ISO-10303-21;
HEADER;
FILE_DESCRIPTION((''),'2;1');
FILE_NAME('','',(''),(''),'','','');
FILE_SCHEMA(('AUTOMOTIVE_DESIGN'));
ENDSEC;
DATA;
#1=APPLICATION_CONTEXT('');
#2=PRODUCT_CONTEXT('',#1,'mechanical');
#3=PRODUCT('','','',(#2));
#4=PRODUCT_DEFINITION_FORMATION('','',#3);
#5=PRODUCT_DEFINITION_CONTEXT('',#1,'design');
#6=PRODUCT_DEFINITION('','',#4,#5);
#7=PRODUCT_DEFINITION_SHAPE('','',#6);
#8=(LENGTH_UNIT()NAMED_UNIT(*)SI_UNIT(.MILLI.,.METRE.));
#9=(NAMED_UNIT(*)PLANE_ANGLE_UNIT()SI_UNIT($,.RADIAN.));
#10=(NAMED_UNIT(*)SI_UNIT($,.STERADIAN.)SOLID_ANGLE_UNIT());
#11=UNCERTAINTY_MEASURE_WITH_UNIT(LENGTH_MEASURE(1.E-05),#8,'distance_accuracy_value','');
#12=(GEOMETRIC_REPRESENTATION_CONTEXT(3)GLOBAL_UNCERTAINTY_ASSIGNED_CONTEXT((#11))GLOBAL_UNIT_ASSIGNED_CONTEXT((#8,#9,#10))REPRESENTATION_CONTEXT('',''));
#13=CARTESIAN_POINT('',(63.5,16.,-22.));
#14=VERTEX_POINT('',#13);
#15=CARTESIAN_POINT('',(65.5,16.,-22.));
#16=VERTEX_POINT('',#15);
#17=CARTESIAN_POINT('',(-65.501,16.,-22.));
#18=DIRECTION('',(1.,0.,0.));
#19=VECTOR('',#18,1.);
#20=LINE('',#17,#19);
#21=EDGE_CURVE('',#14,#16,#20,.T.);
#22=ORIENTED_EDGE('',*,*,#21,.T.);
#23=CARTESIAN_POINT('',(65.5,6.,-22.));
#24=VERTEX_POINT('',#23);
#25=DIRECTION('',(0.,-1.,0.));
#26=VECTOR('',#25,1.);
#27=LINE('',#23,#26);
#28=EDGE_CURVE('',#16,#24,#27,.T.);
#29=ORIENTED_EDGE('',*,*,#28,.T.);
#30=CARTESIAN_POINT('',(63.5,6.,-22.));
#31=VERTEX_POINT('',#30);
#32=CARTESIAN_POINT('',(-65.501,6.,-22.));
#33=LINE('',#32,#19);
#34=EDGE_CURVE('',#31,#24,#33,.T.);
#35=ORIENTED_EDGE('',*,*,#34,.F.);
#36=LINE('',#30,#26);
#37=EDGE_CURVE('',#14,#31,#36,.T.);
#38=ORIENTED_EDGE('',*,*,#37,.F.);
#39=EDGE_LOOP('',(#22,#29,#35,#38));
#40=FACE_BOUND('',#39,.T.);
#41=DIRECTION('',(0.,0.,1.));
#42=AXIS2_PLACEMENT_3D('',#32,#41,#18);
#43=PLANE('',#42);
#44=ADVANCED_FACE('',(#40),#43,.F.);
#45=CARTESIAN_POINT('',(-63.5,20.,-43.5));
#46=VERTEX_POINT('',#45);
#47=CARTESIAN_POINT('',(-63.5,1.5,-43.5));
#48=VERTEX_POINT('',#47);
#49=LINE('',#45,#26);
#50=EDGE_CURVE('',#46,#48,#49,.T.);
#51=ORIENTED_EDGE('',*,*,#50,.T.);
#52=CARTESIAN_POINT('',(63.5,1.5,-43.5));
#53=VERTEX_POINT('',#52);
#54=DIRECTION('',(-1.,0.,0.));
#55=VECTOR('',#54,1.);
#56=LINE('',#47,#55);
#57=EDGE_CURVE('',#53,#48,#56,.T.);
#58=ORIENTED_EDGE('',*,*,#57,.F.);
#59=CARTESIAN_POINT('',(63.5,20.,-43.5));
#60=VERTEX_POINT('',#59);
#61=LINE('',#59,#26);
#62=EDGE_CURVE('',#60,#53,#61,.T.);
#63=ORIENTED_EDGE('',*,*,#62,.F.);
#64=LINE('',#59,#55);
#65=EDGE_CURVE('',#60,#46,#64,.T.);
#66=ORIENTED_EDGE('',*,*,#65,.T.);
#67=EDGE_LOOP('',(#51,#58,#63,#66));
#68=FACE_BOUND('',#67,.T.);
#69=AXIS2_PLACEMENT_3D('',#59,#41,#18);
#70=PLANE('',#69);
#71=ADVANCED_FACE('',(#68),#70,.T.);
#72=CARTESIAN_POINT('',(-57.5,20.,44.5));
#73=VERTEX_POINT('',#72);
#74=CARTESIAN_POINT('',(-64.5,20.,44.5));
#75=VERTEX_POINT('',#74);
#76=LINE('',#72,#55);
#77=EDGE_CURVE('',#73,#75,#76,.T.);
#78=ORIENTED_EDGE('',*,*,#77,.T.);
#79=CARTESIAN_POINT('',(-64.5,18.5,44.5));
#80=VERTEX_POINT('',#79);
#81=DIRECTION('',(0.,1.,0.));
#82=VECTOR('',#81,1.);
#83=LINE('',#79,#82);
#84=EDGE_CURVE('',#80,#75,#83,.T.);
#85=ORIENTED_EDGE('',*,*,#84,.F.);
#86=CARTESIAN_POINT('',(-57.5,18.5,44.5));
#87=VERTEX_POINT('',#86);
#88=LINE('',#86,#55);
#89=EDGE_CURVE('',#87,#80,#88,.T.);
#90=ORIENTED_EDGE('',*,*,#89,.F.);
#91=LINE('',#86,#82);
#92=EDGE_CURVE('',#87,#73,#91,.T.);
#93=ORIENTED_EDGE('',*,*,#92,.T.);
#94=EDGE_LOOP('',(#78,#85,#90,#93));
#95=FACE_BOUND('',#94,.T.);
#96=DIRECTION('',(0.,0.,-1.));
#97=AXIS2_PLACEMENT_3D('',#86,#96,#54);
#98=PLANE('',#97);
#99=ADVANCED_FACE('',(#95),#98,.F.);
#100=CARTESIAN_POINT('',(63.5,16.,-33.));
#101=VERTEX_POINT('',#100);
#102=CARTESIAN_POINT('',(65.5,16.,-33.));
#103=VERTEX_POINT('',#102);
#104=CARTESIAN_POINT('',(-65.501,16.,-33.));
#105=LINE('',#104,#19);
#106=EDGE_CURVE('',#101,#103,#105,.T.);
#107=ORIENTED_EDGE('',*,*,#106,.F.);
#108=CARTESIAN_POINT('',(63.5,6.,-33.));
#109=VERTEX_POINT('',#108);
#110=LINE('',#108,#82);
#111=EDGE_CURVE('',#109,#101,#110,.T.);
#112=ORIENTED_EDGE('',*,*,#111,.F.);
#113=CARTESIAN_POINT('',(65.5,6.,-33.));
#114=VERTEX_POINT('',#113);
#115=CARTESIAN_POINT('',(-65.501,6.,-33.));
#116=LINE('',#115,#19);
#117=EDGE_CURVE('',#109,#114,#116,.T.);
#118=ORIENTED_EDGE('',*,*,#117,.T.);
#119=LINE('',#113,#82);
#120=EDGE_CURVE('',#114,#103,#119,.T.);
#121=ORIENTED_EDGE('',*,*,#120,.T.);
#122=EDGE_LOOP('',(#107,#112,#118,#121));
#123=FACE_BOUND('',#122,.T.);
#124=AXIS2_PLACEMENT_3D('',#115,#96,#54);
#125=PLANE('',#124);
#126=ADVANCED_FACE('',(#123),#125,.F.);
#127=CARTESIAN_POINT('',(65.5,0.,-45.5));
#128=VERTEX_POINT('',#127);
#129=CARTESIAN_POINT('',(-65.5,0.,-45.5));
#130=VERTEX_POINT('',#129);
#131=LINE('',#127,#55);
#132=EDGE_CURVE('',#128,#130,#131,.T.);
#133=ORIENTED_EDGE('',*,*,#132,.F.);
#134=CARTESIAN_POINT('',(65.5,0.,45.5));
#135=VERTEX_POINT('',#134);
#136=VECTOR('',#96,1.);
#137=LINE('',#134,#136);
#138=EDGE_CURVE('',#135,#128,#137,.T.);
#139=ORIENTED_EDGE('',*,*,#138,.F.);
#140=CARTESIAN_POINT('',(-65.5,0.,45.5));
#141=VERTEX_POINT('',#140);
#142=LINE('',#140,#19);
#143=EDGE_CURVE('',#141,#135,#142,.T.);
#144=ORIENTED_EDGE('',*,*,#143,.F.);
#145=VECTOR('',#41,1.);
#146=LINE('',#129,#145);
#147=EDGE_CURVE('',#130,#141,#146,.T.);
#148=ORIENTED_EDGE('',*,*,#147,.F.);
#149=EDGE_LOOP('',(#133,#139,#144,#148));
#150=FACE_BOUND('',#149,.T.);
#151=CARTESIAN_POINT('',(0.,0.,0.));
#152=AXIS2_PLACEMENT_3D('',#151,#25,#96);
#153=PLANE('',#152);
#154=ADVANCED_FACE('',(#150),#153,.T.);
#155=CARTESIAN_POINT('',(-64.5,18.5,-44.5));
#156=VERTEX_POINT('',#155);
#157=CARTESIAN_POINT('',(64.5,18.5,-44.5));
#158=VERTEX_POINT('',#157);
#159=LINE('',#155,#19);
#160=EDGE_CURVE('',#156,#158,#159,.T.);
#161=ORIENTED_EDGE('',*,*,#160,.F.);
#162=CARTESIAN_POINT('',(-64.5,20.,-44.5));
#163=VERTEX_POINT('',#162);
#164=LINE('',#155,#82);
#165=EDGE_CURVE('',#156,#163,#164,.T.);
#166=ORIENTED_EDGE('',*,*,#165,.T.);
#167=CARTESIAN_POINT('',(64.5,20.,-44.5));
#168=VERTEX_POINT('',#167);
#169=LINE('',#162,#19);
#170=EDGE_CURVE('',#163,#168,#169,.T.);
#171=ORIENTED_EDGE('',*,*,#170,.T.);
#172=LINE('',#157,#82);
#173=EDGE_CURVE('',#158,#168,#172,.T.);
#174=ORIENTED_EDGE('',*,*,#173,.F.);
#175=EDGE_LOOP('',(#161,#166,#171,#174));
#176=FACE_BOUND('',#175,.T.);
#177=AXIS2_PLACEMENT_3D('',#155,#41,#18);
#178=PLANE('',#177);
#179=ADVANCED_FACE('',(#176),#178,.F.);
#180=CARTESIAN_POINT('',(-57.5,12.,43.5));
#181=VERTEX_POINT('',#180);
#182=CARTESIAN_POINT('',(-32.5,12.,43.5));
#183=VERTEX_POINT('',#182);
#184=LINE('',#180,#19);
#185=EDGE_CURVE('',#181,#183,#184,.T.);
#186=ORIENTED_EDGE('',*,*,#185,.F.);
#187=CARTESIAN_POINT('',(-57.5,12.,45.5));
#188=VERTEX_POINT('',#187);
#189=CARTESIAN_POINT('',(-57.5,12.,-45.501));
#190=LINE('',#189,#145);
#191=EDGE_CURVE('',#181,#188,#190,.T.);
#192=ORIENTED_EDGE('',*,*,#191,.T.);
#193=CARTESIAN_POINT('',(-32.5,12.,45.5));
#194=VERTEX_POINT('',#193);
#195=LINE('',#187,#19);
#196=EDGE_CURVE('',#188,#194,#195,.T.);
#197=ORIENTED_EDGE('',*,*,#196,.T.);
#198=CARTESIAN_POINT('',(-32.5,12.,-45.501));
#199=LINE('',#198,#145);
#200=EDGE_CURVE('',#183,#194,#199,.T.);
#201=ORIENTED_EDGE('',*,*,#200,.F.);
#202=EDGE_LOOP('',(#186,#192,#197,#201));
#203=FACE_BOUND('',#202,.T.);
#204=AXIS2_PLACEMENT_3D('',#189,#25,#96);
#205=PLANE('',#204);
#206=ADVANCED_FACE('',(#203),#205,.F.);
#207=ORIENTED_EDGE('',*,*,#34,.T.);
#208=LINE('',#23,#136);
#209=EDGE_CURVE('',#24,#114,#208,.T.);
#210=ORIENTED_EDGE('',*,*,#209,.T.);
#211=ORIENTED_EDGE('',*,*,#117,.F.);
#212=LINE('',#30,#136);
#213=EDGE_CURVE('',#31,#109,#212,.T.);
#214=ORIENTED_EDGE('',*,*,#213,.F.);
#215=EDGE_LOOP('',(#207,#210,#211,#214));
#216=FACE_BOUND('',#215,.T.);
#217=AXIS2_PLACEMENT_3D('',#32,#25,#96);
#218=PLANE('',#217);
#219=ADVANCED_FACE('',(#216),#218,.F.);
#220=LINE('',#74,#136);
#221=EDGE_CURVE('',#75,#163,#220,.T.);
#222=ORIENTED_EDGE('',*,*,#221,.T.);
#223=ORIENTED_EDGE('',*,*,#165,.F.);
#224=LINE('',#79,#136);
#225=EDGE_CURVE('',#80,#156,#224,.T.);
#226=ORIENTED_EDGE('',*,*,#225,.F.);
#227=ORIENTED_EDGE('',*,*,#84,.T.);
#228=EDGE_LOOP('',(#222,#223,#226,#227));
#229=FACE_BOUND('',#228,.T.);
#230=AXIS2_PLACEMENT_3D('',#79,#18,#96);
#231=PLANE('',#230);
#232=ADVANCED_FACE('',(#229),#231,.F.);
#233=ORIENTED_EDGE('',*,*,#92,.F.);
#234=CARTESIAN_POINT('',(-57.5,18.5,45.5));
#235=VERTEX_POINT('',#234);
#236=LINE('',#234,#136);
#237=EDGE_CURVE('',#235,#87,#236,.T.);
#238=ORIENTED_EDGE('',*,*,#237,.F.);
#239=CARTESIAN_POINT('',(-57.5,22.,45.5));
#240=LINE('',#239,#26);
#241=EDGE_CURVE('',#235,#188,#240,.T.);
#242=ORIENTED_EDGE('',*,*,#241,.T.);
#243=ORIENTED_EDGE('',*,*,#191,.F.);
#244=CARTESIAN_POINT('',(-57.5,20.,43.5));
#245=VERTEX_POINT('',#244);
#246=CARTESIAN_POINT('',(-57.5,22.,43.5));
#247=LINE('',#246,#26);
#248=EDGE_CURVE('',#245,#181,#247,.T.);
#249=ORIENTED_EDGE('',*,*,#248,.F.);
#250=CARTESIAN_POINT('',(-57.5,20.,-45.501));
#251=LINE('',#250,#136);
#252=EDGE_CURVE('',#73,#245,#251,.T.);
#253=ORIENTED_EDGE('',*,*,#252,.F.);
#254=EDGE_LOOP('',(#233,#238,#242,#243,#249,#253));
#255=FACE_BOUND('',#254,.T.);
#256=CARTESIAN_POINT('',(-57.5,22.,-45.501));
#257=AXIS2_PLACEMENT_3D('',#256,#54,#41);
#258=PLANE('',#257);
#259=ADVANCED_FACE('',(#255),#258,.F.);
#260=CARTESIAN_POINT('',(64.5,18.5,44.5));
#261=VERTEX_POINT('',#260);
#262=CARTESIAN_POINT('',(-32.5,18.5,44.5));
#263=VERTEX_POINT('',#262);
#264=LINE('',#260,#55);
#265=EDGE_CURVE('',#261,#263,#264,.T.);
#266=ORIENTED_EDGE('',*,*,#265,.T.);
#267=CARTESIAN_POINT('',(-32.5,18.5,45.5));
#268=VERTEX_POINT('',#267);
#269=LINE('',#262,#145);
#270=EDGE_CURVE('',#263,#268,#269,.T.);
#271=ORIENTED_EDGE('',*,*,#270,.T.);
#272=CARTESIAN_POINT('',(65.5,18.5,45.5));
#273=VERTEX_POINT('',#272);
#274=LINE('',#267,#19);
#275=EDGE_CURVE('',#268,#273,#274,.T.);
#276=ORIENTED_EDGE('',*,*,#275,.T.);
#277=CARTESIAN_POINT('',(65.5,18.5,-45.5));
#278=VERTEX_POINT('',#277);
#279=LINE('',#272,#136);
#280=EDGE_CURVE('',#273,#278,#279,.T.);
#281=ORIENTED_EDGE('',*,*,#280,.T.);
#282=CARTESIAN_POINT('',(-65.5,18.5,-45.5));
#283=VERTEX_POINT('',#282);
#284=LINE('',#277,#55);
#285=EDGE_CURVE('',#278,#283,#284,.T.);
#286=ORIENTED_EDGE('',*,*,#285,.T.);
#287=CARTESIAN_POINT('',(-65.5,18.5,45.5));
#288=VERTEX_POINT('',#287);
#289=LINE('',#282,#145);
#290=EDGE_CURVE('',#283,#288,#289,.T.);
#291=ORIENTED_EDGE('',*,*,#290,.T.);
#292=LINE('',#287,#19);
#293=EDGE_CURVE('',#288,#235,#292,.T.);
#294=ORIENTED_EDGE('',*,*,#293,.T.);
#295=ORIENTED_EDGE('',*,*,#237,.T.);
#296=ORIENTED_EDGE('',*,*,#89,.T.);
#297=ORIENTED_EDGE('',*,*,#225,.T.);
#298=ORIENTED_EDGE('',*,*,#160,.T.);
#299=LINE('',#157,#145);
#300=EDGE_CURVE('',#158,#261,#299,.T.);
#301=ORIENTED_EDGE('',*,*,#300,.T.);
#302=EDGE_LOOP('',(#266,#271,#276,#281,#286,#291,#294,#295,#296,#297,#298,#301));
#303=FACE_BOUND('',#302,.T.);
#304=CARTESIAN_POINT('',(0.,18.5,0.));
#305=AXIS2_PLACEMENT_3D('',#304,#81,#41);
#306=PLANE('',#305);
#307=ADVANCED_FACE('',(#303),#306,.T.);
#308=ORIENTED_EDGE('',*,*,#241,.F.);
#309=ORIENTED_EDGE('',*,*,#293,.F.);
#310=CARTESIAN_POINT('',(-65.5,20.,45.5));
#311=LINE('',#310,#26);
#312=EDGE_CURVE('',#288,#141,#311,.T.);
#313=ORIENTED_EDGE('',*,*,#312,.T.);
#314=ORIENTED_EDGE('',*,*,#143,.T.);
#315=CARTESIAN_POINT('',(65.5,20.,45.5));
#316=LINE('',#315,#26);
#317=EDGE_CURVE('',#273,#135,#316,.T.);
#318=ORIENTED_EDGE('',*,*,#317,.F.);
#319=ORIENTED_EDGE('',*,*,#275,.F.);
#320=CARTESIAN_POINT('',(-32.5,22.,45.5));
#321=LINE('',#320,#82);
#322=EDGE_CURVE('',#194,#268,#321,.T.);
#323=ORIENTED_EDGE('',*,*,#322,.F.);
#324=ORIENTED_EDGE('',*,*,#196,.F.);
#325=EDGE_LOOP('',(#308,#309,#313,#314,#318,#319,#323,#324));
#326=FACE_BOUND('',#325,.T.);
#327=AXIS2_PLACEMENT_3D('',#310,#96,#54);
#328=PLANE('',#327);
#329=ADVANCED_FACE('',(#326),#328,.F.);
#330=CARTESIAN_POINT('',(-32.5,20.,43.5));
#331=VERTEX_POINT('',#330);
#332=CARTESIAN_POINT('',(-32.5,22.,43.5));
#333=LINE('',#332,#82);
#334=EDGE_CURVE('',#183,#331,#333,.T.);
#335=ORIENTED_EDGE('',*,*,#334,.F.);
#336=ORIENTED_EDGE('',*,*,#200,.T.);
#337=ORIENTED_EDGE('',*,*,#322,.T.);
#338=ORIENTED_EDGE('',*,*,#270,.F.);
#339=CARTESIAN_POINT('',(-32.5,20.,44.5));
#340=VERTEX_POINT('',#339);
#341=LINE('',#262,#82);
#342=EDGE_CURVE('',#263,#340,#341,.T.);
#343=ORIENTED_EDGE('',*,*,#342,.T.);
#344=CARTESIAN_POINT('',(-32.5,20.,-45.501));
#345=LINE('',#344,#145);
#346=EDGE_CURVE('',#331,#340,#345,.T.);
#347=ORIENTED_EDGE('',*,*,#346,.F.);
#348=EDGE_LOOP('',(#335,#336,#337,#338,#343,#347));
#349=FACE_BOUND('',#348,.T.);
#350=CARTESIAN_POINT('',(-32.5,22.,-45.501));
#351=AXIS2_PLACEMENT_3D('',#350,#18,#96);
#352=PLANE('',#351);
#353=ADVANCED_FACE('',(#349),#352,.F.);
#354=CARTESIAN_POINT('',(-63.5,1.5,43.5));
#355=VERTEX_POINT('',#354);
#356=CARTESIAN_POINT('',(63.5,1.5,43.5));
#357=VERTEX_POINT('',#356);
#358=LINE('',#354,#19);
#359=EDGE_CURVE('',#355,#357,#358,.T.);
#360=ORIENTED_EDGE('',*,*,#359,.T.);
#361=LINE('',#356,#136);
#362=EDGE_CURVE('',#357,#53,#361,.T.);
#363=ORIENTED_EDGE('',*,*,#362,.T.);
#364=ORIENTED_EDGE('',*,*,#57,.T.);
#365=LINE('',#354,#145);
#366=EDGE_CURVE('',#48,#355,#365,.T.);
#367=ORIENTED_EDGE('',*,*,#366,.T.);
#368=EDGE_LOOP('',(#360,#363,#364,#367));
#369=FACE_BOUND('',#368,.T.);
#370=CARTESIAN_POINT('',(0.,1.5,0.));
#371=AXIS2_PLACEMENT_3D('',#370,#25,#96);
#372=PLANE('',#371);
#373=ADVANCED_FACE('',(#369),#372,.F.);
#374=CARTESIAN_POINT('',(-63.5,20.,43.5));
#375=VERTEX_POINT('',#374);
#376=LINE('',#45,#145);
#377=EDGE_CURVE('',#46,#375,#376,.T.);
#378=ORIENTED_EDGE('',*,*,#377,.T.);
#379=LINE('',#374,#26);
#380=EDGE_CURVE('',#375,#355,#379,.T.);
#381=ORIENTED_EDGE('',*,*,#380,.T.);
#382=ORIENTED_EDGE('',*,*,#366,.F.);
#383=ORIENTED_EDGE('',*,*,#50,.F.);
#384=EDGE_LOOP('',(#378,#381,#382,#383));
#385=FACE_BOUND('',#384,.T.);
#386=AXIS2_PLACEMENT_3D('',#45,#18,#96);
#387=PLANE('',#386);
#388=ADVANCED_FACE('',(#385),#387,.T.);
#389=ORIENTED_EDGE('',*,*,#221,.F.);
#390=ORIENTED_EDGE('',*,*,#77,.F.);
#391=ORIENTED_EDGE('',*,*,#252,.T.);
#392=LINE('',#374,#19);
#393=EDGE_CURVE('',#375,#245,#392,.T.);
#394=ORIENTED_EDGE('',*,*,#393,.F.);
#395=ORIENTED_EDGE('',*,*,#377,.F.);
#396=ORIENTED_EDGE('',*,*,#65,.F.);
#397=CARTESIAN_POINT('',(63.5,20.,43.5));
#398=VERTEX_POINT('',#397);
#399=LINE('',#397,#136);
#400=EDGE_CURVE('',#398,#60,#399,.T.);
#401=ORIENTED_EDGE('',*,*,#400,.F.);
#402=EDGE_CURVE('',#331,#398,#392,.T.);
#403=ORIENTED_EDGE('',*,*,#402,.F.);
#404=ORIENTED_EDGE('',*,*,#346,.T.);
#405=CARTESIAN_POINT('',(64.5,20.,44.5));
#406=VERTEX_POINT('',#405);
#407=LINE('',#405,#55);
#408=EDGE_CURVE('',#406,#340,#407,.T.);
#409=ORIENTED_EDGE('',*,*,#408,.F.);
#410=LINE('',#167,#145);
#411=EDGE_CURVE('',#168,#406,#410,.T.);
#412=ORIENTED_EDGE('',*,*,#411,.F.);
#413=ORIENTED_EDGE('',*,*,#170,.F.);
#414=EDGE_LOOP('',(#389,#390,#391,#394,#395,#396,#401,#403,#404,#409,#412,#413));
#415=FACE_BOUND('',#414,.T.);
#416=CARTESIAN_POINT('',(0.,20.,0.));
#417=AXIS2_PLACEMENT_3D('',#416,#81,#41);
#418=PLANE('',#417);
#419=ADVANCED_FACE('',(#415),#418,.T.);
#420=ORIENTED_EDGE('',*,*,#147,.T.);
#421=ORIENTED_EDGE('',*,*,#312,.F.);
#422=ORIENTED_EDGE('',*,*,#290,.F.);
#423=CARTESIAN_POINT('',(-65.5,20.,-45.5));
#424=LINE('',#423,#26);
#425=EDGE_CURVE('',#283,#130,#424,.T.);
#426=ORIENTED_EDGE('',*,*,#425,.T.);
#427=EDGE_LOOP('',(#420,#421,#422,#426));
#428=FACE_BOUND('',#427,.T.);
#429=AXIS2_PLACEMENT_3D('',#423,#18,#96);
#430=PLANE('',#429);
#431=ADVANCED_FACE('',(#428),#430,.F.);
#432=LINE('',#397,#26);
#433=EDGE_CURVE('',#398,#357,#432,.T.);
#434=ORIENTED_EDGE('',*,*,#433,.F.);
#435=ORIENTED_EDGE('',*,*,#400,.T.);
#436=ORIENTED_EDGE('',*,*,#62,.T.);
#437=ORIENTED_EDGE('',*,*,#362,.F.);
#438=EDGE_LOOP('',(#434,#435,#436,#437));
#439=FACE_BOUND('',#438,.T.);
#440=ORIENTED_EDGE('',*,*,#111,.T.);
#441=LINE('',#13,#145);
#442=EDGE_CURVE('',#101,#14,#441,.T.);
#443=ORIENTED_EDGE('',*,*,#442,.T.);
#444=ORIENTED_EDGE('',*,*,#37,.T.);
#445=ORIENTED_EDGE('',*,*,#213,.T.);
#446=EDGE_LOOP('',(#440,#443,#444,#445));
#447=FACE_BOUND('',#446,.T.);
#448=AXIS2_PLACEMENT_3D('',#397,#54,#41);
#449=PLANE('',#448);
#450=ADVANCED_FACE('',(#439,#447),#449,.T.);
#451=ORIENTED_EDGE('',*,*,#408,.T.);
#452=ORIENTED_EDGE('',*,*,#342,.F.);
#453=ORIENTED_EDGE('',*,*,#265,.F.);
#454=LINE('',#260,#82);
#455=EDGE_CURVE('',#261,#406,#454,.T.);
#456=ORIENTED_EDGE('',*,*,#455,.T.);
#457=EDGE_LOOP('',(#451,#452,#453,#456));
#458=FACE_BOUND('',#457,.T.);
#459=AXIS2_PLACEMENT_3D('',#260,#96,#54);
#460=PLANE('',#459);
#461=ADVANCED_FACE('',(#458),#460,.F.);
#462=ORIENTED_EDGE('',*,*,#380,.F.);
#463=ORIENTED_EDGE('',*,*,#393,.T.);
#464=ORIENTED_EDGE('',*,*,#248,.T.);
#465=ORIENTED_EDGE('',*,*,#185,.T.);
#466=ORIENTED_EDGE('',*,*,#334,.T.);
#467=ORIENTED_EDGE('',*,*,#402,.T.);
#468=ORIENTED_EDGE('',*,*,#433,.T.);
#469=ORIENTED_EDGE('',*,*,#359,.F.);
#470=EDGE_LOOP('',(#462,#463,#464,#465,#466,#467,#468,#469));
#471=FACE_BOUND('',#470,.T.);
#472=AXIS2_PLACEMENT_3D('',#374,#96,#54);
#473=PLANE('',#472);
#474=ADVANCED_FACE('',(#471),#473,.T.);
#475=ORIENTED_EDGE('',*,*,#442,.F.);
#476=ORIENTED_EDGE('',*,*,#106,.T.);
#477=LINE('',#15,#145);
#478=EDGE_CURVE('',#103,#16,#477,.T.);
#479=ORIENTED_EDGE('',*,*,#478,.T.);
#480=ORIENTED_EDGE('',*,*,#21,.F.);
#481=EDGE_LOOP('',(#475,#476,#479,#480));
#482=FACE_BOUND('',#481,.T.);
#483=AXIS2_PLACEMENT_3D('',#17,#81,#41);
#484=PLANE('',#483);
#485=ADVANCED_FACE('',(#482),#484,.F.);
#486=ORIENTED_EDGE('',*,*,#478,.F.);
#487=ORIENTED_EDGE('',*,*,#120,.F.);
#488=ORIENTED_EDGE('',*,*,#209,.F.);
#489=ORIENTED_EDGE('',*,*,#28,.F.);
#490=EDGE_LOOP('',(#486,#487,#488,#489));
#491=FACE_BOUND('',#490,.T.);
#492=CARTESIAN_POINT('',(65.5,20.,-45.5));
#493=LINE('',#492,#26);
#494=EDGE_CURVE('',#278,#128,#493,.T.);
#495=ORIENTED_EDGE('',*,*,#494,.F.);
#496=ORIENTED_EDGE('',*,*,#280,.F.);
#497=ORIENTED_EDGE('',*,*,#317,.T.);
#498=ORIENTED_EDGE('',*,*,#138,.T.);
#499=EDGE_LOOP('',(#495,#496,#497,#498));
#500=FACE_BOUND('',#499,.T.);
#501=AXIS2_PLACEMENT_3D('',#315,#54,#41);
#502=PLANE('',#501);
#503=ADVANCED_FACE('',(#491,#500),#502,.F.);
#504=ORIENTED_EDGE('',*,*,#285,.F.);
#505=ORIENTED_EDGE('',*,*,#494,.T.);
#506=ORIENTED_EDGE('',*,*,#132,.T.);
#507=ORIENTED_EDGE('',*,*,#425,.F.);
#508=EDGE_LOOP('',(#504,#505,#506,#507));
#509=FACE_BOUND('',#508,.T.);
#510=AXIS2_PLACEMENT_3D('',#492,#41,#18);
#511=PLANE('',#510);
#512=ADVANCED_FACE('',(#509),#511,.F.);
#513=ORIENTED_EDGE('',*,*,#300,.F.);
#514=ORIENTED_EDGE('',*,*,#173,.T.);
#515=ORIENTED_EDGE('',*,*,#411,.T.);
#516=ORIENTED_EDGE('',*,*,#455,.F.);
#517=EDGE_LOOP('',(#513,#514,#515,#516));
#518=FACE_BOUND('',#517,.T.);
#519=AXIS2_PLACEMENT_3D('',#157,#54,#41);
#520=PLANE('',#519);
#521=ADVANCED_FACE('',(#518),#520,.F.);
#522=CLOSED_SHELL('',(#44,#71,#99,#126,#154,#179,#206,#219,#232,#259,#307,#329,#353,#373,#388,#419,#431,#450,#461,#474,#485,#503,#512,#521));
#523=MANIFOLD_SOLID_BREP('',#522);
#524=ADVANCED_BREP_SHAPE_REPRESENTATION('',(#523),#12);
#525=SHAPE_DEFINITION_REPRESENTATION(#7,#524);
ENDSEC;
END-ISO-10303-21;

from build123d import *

# Parameters (mm, degrees)
SKETCH1_W           = 127
SKETCH1_H           = 87
BOSS_EXTRUDE1_DEPTH = 1.5
SKETCH3_W           = 131
SKETCH3_H           = 91
SKETCH3_W_2         = 127
SKETCH3_H_2         = 87
BOSS_EXTRUDE2_DEPTH = 20
CUT_EXTRUDE1_REACH  = 115.891
SKETCH4_W           = 25
SKETCH4_H           = 10
CUT_EXTRUDE2_REACH  = 142.112
SKETCH5_W           = 11
SKETCH5_H           = 10
CUT_EXTRUDE3_DEPTH  = 1.5


with BuildPart() as part:
    # Sketch1 → Boss-Extrude1 (new body)
    with BuildSketch(Plane(origin=(0, 0, 0), x_dir=(1, 0, 0), z_dir=(0, 1, 0))):
        Rectangle(SKETCH1_W, SKETCH1_H)
    extrude(amount=BOSS_EXTRUDE1_DEPTH)

    # Sketch3 → Boss-Extrude2 (add)
    with BuildSketch(Plane(origin=(0, 0, 0), x_dir=(1, 0, 0), z_dir=(0, 1, 0))):
        Rectangle(SKETCH3_W, SKETCH3_H)
        Rectangle(SKETCH3_W_2, SKETCH3_H_2, mode=Mode.SUBTRACT)
    extrude(amount=BOSS_EXTRUDE2_DEPTH)

    # Sketch4 → Cut-Extrude1 (cut, up to next)
    with BuildSketch(Plane.XY.offset(45.5), mode=Mode.PRIVATE) as cut_extrude1_sk1:
        with Locations((-45, 17)):
            Rectangle(SKETCH4_W, SKETCH4_H)
    cut_extrude1_tool1 = extrude(cut_extrude1_sk1.sketch, amount=-CUT_EXTRUDE1_REACH, mode=Mode.PRIVATE) & part.part
    add(cut_extrude1_tool1.solids().sort_by_distance((-45, 17, 45.5))[0], mode=Mode.SUBTRACT)

    # Sketch5 → Cut-Extrude2 (cut, up to next)
    with BuildSketch(Plane(origin=(65.5, 0, 0), x_dir=(0, 0, -1), z_dir=(1, 0, 0)), mode=Mode.PRIVATE) as cut_extrude2_sk1:
        with Locations((27.5, 11)):
            Rectangle(SKETCH5_W, SKETCH5_H)
    cut_extrude2_tool1 = extrude(cut_extrude2_sk1.sketch, amount=-CUT_EXTRUDE2_REACH, mode=Mode.PRIVATE) & part.part
    add(cut_extrude2_tool1.solids().sort_by_distance((65.5, 11, -27.5))[0], mode=Mode.SUBTRACT)

    # Sketch6 → Cut-Extrude3 (cut)
    with BuildSketch(Plane(origin=(0, 20, 0), x_dir=(1, 0, 0), z_dir=(0, 1, 0))):
        Polygon((-57.5, -44.5), (-64.5, -44.5), (-64.5, 44.5), (64.5, 44.5), (64.5, -44.5), (-32.5, -44.5), (-32.5, -45.5), (65.5, -45.5), (65.5, 45.5), (-65.5, 45.5), (-65.5, -45.5), (-57.5, -45.5), align=None)
    extrude(amount=-CUT_EXTRUDE3_DEPTH, mode=Mode.SUBTRACT)


solid = part.part
